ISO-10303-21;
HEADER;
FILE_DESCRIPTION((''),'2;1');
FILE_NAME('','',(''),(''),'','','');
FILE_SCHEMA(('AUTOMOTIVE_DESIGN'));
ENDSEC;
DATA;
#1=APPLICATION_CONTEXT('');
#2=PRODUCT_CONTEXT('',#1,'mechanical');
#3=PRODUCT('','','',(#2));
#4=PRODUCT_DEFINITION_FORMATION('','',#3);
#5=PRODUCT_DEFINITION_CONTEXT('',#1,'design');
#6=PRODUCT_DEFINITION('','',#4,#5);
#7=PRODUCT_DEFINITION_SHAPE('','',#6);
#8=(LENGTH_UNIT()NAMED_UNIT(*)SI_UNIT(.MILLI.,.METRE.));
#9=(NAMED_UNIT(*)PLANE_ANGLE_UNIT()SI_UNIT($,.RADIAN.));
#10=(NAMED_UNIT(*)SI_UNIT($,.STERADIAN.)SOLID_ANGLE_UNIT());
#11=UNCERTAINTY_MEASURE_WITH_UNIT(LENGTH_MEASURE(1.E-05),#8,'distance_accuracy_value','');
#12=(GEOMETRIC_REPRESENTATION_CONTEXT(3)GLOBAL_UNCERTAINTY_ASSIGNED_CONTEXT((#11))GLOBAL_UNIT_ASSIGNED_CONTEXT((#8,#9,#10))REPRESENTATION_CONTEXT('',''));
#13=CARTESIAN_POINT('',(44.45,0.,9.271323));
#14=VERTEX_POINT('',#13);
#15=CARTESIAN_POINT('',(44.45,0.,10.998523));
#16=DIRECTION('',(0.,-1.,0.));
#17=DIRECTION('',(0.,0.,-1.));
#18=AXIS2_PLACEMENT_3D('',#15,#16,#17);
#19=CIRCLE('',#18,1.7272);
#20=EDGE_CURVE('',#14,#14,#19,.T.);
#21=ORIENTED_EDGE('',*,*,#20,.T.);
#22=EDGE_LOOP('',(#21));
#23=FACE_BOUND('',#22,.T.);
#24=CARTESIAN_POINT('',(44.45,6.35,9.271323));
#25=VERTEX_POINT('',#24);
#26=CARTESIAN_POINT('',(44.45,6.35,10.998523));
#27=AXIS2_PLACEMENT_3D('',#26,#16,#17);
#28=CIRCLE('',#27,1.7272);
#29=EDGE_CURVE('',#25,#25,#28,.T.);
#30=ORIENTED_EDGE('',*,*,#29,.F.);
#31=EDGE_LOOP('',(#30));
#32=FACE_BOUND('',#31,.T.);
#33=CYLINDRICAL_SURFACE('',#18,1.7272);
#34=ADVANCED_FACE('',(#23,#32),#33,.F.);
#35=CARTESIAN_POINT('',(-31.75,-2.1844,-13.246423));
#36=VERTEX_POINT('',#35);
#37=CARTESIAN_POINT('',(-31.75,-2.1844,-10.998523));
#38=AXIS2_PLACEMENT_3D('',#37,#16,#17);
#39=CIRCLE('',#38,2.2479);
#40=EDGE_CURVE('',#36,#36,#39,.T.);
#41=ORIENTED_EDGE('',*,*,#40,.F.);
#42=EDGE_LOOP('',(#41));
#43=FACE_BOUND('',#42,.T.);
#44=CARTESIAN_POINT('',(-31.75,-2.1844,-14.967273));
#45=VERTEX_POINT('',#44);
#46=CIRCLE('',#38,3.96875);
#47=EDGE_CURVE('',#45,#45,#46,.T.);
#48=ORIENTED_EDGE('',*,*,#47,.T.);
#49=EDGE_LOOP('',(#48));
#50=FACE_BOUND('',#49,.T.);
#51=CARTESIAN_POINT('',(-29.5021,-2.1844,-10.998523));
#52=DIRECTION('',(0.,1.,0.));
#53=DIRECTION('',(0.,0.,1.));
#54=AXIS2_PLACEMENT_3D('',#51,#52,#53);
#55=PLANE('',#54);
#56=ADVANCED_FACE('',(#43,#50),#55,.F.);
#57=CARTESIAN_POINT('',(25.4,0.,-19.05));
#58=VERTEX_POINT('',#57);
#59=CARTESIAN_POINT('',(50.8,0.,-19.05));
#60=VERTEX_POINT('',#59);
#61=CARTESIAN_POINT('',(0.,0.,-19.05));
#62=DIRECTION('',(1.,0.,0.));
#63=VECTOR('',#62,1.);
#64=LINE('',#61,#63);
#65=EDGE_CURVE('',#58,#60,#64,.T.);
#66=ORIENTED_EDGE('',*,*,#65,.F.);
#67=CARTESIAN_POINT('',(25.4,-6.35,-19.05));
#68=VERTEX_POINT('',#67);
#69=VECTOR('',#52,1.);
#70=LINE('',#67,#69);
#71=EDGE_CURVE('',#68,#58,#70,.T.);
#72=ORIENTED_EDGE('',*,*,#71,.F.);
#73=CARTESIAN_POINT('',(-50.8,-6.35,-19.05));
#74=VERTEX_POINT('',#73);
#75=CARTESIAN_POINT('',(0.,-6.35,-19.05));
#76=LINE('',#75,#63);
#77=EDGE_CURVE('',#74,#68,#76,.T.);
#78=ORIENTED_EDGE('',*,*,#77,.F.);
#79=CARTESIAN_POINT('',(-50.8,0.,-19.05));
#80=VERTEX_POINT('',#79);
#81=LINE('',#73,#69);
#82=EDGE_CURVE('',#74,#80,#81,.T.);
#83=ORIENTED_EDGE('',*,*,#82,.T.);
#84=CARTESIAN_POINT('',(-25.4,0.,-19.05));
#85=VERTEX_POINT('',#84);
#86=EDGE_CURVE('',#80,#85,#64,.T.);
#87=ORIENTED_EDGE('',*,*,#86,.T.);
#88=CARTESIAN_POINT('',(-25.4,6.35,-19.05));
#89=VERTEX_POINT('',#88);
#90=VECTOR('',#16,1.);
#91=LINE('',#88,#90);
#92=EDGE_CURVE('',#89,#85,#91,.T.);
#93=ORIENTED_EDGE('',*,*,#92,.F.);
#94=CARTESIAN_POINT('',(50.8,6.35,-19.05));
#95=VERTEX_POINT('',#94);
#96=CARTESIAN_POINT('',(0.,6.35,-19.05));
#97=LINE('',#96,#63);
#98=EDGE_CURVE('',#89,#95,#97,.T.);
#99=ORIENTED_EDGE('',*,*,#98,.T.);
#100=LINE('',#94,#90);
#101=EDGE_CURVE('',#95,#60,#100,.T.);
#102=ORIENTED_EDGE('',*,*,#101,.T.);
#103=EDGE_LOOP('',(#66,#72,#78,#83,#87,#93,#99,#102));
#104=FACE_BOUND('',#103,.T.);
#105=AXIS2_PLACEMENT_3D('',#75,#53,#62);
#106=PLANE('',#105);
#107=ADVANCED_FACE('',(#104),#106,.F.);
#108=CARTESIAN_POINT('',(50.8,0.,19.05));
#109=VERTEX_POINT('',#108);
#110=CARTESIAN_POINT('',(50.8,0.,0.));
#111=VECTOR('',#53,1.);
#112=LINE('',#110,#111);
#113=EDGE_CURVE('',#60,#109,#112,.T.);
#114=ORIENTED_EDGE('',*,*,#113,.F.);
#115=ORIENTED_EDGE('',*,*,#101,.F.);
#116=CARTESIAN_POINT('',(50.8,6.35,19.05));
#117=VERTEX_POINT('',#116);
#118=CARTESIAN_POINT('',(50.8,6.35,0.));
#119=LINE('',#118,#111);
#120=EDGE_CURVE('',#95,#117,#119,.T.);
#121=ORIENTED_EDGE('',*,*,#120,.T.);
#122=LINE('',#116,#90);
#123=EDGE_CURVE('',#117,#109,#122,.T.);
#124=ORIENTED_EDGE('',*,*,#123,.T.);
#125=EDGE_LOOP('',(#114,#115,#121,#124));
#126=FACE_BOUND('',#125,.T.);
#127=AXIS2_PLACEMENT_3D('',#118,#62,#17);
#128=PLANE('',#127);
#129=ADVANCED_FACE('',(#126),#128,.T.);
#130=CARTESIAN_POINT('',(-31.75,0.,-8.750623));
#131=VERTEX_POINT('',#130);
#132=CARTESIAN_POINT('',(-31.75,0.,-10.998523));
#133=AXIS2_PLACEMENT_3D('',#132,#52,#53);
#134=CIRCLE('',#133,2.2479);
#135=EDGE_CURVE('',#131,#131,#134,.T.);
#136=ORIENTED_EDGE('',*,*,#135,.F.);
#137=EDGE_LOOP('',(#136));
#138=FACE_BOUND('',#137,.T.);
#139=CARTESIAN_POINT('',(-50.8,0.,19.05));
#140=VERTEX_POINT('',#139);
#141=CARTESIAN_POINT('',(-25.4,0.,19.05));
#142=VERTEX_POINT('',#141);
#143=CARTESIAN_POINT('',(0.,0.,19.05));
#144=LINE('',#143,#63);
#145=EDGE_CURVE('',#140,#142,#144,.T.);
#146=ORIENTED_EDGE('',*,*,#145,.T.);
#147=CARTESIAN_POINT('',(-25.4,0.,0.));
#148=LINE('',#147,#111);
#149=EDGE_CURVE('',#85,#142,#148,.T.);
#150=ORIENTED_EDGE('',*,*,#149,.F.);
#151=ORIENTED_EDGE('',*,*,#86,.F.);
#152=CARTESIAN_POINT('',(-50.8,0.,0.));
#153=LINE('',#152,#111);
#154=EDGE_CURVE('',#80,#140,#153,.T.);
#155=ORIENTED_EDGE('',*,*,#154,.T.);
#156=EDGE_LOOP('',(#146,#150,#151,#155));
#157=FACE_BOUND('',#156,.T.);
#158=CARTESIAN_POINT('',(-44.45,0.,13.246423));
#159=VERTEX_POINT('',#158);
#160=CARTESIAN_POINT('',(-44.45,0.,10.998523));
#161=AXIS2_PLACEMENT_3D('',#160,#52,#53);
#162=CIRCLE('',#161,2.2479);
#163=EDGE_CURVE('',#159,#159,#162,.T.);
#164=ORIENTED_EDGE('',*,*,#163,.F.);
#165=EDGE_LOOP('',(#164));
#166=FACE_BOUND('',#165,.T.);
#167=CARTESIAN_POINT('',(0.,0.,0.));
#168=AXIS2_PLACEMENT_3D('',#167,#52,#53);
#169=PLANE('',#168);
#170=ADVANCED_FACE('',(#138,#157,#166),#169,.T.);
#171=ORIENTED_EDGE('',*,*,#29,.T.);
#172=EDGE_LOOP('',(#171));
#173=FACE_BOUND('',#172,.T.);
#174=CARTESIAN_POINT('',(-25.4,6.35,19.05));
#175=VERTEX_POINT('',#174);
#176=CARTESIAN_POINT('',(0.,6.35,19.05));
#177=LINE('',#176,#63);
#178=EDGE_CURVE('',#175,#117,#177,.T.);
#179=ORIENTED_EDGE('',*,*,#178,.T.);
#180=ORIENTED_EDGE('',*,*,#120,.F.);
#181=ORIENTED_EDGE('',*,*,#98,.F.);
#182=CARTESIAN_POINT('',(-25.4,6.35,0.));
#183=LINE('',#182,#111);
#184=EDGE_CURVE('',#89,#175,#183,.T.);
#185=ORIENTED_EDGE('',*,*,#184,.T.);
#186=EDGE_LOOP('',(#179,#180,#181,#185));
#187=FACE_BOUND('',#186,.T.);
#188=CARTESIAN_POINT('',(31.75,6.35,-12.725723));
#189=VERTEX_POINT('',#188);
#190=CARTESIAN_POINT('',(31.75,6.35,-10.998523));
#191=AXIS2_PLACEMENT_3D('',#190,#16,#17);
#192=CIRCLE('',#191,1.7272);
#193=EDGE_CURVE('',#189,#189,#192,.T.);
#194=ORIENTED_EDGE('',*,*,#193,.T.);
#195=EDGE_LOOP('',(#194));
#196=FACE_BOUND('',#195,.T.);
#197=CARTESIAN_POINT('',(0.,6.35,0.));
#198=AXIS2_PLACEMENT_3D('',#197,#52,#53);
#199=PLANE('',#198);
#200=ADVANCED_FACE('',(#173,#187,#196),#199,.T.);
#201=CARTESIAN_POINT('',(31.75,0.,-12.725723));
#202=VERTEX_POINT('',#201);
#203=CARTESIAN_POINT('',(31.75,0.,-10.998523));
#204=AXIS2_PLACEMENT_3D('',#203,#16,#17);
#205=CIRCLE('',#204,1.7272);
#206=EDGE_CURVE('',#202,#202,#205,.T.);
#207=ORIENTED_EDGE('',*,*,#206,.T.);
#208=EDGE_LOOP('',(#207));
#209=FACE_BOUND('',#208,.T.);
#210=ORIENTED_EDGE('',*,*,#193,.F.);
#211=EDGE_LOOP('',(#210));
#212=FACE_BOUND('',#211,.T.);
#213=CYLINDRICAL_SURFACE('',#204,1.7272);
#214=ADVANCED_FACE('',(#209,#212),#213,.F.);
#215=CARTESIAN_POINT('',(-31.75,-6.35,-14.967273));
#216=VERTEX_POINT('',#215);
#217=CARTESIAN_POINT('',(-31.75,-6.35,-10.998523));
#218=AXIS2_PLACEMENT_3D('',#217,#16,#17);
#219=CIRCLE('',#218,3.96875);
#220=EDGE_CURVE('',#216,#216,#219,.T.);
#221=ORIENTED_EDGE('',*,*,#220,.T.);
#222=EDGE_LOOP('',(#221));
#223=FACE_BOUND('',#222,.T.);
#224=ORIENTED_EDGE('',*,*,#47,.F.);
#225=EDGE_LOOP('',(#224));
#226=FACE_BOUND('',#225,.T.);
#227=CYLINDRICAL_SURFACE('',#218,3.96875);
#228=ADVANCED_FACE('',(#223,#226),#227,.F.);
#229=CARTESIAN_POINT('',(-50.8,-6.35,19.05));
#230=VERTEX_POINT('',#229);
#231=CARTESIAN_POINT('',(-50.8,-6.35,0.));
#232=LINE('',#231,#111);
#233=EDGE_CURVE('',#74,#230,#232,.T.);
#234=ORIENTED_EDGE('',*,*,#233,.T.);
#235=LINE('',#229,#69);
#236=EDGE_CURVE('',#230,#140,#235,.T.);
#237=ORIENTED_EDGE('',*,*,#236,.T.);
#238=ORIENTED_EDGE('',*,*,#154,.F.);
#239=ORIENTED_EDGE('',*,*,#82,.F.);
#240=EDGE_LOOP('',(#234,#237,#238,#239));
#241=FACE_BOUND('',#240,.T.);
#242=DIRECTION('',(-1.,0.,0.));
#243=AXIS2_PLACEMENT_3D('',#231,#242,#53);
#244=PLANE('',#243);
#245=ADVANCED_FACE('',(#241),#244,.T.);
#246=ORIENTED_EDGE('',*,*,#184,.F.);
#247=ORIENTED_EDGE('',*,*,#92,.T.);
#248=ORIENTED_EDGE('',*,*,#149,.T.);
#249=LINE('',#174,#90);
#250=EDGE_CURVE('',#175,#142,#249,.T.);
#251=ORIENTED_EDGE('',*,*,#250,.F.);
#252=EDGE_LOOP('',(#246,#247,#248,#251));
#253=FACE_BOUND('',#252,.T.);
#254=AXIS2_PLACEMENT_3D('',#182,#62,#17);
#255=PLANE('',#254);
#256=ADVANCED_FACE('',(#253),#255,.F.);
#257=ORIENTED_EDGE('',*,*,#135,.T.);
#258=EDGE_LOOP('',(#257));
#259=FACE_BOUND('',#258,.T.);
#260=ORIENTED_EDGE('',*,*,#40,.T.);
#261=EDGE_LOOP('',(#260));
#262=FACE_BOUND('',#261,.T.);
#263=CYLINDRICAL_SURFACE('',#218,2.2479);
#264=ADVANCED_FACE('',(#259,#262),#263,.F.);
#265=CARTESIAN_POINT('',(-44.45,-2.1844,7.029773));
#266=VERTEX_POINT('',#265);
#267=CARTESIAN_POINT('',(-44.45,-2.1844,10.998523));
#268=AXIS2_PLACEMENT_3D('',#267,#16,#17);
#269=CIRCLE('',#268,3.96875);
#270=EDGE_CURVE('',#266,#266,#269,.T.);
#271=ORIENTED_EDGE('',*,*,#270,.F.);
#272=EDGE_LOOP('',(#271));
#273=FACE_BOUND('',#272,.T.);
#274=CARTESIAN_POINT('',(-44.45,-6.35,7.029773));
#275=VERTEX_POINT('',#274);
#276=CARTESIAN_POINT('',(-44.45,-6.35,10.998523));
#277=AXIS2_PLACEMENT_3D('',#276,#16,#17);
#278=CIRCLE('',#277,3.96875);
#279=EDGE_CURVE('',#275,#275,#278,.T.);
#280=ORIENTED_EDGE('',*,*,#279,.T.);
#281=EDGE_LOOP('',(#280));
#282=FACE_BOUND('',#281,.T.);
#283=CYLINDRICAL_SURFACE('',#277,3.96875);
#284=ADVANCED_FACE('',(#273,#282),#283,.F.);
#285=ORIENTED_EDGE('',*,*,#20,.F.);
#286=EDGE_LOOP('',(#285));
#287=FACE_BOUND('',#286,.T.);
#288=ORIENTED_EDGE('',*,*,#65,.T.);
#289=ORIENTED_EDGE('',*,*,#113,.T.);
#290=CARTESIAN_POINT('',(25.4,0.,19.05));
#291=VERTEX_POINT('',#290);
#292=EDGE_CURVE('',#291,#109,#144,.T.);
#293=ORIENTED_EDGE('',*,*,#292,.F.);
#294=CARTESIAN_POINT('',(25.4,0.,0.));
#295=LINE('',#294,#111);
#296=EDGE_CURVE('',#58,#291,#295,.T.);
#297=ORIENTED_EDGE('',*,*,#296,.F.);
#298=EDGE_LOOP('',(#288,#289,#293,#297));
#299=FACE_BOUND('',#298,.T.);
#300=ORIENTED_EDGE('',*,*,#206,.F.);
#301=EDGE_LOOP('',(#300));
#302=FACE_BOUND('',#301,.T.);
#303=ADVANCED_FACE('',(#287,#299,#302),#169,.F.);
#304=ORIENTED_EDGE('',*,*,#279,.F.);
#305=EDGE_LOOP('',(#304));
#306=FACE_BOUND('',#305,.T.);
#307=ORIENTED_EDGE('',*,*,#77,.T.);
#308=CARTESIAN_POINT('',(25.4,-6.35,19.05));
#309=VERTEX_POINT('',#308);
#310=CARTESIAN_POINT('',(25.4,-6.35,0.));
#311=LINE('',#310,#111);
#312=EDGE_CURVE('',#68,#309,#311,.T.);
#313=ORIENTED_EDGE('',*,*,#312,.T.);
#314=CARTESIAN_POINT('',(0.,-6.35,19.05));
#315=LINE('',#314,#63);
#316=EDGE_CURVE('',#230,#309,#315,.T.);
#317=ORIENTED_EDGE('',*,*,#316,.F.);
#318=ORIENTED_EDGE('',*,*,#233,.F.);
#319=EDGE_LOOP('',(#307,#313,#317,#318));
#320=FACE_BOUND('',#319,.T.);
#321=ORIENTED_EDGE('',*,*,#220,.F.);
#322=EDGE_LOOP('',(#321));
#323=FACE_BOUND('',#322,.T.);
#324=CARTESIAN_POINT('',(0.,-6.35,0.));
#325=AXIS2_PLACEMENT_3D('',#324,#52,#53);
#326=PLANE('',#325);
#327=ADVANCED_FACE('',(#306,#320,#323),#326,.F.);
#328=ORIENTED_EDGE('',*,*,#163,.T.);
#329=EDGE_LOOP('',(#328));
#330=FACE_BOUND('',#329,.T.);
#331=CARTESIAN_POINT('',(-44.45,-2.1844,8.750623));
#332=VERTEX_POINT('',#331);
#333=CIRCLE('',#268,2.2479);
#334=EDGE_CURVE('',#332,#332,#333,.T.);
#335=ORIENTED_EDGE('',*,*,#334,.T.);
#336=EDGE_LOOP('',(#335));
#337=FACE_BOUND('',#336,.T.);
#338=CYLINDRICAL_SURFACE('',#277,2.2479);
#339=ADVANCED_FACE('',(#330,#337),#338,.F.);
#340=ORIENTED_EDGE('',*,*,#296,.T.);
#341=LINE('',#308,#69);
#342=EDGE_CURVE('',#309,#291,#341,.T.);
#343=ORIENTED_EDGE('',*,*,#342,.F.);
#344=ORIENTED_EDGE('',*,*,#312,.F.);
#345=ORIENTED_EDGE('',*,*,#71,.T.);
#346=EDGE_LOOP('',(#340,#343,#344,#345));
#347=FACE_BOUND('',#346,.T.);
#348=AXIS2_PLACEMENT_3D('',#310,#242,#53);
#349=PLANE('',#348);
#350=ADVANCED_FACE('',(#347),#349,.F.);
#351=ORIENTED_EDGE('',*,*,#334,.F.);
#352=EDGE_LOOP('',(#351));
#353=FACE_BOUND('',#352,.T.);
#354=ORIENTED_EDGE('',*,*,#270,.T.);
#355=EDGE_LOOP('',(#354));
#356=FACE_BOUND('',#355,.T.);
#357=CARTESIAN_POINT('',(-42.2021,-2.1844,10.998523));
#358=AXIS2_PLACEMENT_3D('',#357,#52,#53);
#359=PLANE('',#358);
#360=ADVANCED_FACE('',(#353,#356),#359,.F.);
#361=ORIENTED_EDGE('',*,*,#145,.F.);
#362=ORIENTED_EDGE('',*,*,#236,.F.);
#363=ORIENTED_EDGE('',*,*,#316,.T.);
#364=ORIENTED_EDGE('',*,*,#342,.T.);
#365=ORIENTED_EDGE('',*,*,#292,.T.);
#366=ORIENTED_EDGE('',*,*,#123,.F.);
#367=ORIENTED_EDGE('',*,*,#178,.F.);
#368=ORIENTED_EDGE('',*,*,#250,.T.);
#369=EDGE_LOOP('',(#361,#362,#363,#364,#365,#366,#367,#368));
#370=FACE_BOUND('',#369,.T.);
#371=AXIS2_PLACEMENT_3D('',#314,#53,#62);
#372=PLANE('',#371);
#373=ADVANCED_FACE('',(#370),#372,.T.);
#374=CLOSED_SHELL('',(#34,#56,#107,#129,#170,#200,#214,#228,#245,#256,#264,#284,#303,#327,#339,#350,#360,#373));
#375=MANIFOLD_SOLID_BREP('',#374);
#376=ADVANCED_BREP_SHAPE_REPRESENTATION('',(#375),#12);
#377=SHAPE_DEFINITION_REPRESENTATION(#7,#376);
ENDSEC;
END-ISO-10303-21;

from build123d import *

# Parameters (mm, degrees)
SKETCH1_W                                      = 25.4
SKETCH1_H                                      = 38.1
SKETCH1_W_2                                    = 50.8
BOSS_EXTRUDE1_DEPTH                            = 6.35
SKETCH1_3_W                                    = 50.8
SKETCH1_3_H                                    = 38.1
SKETCH1_3_W_2                                  = 25.4
BOSS_EXTRUDE2_DEPTH                            = 6.35
CBORE_FOR_8_SOCKET_HEAD_CAP_SCREW1_D           = 4.4958
CBORE_FOR_8_SOCKET_HEAD_CAP_SCREW1_DEPTH       = 6.35
CBORE_FOR_8_SOCKET_HEAD_CAP_SCREW1_CBORE_D     = 7.9375
CBORE_FOR_8_SOCKET_HEAD_CAP_SCREW1_CBORE_DEPTH = 4.1656
F_8_32_TAPPED_HOLE1_D                          = 3.4544


with BuildPart() as part:
    # Sketch1 → Boss-Extrude1 (new body)
    with BuildSketch(Plane(origin=(0, 0, 0), x_dir=(1, 0, 0), z_dir=(0, 1, 0))):
        with Locations((-38.1, 0)):
            Rectangle(SKETCH1_W, SKETCH1_H)
        Rectangle(SKETCH1_W_2, SKETCH1_H)
    extrude(amount=-BOSS_EXTRUDE1_DEPTH)

    # Sketch1<3> → Boss-Extrude2 (add)
    with BuildSketch(Plane(origin=(0, 0, 0), x_dir=(1, 0, 0), z_dir=(0, 1, 0))):
        Rectangle(SKETCH1_3_W, SKETCH1_3_H)
        with Locations((38.1, 0)):
            Rectangle(SKETCH1_3_W_2, SKETCH1_3_H)
    extrude(amount=BOSS_EXTRUDE2_DEPTH)

    # CBORE for #8 Socket Head Cap Screw1
    with Locations(Plane(origin=(0, -6.35, 0), x_dir=(-1, 0, 0), z_dir=(0, -1, 0))):
        with Locations((31.75, 10.998522628), (44.45, -10.998522628)):
            CounterBoreHole(CBORE_FOR_8_SOCKET_HEAD_CAP_SCREW1_D / 2, CBORE_FOR_8_SOCKET_HEAD_CAP_SCREW1_CBORE_D / 2, CBORE_FOR_8_SOCKET_HEAD_CAP_SCREW1_CBORE_DEPTH, depth=CBORE_FOR_8_SOCKET_HEAD_CAP_SCREW1_DEPTH)

    # #8-32 Tapped Hole1 (through all)
    with Locations(Plane(origin=(0, 0, 0), x_dir=(-1, 0, 0), z_dir=(0, -1, 0))):
        with Locations((-31.75, 10.998522628), (-44.45, -10.998522628)):
            Hole(F_8_32_TAPPED_HOLE1_D / 2)


solid = part.part
